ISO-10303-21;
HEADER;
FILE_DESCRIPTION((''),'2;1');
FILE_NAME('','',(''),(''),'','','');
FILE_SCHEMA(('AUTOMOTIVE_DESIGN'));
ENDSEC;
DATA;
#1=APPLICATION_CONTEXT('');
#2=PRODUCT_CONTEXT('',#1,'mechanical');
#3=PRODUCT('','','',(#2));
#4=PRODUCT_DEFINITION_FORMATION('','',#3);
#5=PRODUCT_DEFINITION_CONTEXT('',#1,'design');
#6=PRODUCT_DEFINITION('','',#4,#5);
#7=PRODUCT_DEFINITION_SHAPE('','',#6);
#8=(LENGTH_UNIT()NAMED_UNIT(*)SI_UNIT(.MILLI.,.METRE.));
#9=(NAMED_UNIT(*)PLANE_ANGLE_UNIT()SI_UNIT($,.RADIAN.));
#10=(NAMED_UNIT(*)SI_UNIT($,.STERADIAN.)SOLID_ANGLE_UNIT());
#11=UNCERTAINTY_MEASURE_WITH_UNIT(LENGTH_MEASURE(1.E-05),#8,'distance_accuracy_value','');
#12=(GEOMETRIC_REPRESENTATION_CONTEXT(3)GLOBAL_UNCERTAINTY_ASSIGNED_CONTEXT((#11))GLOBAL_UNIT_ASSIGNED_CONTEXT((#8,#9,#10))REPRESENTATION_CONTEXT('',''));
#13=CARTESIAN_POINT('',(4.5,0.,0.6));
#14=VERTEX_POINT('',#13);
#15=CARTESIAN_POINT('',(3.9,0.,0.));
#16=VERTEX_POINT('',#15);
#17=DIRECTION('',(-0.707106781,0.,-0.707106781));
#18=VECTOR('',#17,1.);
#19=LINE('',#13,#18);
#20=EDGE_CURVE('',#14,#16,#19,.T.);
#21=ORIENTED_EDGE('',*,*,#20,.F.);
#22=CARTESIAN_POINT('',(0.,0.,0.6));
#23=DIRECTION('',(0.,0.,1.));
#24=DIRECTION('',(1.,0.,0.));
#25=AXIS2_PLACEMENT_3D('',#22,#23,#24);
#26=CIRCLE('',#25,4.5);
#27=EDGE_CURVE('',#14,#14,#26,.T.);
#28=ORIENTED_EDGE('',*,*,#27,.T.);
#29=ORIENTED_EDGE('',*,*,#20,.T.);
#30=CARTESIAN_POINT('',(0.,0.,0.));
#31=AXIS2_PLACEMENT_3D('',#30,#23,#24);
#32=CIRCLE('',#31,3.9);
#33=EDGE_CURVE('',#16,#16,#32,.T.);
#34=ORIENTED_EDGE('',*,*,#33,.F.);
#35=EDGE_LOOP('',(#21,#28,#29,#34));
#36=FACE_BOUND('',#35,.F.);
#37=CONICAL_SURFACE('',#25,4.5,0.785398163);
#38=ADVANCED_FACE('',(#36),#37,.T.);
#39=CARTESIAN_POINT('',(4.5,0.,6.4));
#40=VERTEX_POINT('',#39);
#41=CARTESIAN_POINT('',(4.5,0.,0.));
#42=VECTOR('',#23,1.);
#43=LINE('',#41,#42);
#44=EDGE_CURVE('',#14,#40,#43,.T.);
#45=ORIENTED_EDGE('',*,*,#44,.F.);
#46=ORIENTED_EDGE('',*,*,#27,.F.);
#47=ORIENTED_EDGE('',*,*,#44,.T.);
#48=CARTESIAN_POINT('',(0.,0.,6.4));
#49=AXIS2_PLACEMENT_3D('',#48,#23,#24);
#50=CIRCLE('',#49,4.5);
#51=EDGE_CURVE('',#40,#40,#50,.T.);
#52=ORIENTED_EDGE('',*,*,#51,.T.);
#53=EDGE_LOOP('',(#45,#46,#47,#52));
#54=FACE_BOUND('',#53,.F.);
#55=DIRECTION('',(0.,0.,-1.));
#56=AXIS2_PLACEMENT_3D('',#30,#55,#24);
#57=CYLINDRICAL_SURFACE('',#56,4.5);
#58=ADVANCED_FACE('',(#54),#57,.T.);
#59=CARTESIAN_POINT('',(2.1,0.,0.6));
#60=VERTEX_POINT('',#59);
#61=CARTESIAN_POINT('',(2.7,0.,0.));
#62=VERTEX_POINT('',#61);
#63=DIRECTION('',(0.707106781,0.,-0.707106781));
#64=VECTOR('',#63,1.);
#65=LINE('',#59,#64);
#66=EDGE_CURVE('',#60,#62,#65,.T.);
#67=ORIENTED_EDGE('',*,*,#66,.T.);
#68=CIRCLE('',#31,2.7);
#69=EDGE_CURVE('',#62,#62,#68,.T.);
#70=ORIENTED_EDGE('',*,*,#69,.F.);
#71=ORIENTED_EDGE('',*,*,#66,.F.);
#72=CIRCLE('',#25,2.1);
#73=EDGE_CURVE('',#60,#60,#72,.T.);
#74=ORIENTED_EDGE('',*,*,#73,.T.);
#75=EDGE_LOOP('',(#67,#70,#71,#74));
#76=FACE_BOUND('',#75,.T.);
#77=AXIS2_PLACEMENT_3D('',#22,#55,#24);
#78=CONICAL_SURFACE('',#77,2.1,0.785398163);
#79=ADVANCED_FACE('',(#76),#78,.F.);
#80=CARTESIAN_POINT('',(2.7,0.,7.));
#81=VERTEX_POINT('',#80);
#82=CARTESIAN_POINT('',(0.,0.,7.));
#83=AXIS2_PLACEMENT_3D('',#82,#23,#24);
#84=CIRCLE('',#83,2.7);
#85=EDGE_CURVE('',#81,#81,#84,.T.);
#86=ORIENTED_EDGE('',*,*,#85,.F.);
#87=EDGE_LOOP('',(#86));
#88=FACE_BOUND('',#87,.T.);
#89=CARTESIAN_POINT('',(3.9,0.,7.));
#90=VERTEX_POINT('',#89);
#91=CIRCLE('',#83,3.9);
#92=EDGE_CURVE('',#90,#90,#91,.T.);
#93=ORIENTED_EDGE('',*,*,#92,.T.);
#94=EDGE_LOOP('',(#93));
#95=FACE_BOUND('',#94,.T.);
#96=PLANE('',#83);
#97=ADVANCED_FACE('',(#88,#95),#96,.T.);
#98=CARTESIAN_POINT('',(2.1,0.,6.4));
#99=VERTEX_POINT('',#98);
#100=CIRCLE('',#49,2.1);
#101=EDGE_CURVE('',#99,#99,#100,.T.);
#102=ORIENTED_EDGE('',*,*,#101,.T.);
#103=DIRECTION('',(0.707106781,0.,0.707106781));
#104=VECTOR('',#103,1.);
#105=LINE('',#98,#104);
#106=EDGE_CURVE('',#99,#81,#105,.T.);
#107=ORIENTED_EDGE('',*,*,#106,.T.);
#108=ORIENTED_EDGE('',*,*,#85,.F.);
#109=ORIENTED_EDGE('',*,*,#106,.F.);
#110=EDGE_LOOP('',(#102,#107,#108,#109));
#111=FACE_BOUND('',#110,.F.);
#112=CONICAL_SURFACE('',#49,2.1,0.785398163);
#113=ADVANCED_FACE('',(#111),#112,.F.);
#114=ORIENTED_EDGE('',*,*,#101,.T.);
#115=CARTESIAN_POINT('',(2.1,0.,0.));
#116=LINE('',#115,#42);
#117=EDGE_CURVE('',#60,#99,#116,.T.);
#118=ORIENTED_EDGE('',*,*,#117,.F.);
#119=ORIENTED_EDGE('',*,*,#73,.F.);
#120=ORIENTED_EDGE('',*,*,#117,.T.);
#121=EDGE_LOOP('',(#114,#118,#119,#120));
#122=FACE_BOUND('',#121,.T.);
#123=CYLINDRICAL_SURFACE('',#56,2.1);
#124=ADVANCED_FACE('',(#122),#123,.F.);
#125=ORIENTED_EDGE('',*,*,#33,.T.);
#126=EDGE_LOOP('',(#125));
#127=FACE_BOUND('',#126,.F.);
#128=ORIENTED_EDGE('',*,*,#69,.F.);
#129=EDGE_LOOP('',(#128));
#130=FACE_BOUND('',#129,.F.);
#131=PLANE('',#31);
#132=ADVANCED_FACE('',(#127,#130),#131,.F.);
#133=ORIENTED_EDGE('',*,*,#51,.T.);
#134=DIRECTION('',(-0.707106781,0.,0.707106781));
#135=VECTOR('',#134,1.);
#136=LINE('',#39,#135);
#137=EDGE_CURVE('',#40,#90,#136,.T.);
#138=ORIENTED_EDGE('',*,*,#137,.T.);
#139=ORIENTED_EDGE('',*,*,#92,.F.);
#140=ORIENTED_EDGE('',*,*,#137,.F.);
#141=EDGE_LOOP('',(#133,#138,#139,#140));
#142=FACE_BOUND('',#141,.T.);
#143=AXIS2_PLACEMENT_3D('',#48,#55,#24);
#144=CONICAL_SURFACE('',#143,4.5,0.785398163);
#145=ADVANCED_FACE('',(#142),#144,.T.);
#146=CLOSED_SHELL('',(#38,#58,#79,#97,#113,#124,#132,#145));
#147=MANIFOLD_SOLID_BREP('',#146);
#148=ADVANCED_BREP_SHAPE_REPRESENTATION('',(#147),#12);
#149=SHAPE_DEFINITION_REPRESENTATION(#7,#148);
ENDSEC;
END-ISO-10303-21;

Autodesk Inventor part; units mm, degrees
ref_plane "YZ Plane" through (0, 0, 0) normal (1, 0, 0) x (0, 1, 0)
ref_plane "XZ Plane" through (0, 0, 0) normal (0, 1, 0) x (-1, 0, 0)
ref_plane "XY Plane" through (0, 0, 0) normal (0, 0, 1) x (1, 0, 0)
sketch "Эскиз1" plane through (0, 0, 0) normal (0, 0, 1) x (1, 0, 0)
  circle A0 centre (0, 0) radius 2.1
  circle A1 centre (0, 0) radius 4.5
  dimension "d0" = 4.2
  dimension "d1" = 9
extrude "Выдавливание1" add sketch "Эскиз1" along normal blind 7
chamfer "Фаска1" distance 0.6 angle 45 4 edges at (-4.5, 0, 7) (-4.5, 0, 0) (-2.1, 0, 0) (-2.1, 0, 7)
properties part number "Проставка рычага натяжителя"
